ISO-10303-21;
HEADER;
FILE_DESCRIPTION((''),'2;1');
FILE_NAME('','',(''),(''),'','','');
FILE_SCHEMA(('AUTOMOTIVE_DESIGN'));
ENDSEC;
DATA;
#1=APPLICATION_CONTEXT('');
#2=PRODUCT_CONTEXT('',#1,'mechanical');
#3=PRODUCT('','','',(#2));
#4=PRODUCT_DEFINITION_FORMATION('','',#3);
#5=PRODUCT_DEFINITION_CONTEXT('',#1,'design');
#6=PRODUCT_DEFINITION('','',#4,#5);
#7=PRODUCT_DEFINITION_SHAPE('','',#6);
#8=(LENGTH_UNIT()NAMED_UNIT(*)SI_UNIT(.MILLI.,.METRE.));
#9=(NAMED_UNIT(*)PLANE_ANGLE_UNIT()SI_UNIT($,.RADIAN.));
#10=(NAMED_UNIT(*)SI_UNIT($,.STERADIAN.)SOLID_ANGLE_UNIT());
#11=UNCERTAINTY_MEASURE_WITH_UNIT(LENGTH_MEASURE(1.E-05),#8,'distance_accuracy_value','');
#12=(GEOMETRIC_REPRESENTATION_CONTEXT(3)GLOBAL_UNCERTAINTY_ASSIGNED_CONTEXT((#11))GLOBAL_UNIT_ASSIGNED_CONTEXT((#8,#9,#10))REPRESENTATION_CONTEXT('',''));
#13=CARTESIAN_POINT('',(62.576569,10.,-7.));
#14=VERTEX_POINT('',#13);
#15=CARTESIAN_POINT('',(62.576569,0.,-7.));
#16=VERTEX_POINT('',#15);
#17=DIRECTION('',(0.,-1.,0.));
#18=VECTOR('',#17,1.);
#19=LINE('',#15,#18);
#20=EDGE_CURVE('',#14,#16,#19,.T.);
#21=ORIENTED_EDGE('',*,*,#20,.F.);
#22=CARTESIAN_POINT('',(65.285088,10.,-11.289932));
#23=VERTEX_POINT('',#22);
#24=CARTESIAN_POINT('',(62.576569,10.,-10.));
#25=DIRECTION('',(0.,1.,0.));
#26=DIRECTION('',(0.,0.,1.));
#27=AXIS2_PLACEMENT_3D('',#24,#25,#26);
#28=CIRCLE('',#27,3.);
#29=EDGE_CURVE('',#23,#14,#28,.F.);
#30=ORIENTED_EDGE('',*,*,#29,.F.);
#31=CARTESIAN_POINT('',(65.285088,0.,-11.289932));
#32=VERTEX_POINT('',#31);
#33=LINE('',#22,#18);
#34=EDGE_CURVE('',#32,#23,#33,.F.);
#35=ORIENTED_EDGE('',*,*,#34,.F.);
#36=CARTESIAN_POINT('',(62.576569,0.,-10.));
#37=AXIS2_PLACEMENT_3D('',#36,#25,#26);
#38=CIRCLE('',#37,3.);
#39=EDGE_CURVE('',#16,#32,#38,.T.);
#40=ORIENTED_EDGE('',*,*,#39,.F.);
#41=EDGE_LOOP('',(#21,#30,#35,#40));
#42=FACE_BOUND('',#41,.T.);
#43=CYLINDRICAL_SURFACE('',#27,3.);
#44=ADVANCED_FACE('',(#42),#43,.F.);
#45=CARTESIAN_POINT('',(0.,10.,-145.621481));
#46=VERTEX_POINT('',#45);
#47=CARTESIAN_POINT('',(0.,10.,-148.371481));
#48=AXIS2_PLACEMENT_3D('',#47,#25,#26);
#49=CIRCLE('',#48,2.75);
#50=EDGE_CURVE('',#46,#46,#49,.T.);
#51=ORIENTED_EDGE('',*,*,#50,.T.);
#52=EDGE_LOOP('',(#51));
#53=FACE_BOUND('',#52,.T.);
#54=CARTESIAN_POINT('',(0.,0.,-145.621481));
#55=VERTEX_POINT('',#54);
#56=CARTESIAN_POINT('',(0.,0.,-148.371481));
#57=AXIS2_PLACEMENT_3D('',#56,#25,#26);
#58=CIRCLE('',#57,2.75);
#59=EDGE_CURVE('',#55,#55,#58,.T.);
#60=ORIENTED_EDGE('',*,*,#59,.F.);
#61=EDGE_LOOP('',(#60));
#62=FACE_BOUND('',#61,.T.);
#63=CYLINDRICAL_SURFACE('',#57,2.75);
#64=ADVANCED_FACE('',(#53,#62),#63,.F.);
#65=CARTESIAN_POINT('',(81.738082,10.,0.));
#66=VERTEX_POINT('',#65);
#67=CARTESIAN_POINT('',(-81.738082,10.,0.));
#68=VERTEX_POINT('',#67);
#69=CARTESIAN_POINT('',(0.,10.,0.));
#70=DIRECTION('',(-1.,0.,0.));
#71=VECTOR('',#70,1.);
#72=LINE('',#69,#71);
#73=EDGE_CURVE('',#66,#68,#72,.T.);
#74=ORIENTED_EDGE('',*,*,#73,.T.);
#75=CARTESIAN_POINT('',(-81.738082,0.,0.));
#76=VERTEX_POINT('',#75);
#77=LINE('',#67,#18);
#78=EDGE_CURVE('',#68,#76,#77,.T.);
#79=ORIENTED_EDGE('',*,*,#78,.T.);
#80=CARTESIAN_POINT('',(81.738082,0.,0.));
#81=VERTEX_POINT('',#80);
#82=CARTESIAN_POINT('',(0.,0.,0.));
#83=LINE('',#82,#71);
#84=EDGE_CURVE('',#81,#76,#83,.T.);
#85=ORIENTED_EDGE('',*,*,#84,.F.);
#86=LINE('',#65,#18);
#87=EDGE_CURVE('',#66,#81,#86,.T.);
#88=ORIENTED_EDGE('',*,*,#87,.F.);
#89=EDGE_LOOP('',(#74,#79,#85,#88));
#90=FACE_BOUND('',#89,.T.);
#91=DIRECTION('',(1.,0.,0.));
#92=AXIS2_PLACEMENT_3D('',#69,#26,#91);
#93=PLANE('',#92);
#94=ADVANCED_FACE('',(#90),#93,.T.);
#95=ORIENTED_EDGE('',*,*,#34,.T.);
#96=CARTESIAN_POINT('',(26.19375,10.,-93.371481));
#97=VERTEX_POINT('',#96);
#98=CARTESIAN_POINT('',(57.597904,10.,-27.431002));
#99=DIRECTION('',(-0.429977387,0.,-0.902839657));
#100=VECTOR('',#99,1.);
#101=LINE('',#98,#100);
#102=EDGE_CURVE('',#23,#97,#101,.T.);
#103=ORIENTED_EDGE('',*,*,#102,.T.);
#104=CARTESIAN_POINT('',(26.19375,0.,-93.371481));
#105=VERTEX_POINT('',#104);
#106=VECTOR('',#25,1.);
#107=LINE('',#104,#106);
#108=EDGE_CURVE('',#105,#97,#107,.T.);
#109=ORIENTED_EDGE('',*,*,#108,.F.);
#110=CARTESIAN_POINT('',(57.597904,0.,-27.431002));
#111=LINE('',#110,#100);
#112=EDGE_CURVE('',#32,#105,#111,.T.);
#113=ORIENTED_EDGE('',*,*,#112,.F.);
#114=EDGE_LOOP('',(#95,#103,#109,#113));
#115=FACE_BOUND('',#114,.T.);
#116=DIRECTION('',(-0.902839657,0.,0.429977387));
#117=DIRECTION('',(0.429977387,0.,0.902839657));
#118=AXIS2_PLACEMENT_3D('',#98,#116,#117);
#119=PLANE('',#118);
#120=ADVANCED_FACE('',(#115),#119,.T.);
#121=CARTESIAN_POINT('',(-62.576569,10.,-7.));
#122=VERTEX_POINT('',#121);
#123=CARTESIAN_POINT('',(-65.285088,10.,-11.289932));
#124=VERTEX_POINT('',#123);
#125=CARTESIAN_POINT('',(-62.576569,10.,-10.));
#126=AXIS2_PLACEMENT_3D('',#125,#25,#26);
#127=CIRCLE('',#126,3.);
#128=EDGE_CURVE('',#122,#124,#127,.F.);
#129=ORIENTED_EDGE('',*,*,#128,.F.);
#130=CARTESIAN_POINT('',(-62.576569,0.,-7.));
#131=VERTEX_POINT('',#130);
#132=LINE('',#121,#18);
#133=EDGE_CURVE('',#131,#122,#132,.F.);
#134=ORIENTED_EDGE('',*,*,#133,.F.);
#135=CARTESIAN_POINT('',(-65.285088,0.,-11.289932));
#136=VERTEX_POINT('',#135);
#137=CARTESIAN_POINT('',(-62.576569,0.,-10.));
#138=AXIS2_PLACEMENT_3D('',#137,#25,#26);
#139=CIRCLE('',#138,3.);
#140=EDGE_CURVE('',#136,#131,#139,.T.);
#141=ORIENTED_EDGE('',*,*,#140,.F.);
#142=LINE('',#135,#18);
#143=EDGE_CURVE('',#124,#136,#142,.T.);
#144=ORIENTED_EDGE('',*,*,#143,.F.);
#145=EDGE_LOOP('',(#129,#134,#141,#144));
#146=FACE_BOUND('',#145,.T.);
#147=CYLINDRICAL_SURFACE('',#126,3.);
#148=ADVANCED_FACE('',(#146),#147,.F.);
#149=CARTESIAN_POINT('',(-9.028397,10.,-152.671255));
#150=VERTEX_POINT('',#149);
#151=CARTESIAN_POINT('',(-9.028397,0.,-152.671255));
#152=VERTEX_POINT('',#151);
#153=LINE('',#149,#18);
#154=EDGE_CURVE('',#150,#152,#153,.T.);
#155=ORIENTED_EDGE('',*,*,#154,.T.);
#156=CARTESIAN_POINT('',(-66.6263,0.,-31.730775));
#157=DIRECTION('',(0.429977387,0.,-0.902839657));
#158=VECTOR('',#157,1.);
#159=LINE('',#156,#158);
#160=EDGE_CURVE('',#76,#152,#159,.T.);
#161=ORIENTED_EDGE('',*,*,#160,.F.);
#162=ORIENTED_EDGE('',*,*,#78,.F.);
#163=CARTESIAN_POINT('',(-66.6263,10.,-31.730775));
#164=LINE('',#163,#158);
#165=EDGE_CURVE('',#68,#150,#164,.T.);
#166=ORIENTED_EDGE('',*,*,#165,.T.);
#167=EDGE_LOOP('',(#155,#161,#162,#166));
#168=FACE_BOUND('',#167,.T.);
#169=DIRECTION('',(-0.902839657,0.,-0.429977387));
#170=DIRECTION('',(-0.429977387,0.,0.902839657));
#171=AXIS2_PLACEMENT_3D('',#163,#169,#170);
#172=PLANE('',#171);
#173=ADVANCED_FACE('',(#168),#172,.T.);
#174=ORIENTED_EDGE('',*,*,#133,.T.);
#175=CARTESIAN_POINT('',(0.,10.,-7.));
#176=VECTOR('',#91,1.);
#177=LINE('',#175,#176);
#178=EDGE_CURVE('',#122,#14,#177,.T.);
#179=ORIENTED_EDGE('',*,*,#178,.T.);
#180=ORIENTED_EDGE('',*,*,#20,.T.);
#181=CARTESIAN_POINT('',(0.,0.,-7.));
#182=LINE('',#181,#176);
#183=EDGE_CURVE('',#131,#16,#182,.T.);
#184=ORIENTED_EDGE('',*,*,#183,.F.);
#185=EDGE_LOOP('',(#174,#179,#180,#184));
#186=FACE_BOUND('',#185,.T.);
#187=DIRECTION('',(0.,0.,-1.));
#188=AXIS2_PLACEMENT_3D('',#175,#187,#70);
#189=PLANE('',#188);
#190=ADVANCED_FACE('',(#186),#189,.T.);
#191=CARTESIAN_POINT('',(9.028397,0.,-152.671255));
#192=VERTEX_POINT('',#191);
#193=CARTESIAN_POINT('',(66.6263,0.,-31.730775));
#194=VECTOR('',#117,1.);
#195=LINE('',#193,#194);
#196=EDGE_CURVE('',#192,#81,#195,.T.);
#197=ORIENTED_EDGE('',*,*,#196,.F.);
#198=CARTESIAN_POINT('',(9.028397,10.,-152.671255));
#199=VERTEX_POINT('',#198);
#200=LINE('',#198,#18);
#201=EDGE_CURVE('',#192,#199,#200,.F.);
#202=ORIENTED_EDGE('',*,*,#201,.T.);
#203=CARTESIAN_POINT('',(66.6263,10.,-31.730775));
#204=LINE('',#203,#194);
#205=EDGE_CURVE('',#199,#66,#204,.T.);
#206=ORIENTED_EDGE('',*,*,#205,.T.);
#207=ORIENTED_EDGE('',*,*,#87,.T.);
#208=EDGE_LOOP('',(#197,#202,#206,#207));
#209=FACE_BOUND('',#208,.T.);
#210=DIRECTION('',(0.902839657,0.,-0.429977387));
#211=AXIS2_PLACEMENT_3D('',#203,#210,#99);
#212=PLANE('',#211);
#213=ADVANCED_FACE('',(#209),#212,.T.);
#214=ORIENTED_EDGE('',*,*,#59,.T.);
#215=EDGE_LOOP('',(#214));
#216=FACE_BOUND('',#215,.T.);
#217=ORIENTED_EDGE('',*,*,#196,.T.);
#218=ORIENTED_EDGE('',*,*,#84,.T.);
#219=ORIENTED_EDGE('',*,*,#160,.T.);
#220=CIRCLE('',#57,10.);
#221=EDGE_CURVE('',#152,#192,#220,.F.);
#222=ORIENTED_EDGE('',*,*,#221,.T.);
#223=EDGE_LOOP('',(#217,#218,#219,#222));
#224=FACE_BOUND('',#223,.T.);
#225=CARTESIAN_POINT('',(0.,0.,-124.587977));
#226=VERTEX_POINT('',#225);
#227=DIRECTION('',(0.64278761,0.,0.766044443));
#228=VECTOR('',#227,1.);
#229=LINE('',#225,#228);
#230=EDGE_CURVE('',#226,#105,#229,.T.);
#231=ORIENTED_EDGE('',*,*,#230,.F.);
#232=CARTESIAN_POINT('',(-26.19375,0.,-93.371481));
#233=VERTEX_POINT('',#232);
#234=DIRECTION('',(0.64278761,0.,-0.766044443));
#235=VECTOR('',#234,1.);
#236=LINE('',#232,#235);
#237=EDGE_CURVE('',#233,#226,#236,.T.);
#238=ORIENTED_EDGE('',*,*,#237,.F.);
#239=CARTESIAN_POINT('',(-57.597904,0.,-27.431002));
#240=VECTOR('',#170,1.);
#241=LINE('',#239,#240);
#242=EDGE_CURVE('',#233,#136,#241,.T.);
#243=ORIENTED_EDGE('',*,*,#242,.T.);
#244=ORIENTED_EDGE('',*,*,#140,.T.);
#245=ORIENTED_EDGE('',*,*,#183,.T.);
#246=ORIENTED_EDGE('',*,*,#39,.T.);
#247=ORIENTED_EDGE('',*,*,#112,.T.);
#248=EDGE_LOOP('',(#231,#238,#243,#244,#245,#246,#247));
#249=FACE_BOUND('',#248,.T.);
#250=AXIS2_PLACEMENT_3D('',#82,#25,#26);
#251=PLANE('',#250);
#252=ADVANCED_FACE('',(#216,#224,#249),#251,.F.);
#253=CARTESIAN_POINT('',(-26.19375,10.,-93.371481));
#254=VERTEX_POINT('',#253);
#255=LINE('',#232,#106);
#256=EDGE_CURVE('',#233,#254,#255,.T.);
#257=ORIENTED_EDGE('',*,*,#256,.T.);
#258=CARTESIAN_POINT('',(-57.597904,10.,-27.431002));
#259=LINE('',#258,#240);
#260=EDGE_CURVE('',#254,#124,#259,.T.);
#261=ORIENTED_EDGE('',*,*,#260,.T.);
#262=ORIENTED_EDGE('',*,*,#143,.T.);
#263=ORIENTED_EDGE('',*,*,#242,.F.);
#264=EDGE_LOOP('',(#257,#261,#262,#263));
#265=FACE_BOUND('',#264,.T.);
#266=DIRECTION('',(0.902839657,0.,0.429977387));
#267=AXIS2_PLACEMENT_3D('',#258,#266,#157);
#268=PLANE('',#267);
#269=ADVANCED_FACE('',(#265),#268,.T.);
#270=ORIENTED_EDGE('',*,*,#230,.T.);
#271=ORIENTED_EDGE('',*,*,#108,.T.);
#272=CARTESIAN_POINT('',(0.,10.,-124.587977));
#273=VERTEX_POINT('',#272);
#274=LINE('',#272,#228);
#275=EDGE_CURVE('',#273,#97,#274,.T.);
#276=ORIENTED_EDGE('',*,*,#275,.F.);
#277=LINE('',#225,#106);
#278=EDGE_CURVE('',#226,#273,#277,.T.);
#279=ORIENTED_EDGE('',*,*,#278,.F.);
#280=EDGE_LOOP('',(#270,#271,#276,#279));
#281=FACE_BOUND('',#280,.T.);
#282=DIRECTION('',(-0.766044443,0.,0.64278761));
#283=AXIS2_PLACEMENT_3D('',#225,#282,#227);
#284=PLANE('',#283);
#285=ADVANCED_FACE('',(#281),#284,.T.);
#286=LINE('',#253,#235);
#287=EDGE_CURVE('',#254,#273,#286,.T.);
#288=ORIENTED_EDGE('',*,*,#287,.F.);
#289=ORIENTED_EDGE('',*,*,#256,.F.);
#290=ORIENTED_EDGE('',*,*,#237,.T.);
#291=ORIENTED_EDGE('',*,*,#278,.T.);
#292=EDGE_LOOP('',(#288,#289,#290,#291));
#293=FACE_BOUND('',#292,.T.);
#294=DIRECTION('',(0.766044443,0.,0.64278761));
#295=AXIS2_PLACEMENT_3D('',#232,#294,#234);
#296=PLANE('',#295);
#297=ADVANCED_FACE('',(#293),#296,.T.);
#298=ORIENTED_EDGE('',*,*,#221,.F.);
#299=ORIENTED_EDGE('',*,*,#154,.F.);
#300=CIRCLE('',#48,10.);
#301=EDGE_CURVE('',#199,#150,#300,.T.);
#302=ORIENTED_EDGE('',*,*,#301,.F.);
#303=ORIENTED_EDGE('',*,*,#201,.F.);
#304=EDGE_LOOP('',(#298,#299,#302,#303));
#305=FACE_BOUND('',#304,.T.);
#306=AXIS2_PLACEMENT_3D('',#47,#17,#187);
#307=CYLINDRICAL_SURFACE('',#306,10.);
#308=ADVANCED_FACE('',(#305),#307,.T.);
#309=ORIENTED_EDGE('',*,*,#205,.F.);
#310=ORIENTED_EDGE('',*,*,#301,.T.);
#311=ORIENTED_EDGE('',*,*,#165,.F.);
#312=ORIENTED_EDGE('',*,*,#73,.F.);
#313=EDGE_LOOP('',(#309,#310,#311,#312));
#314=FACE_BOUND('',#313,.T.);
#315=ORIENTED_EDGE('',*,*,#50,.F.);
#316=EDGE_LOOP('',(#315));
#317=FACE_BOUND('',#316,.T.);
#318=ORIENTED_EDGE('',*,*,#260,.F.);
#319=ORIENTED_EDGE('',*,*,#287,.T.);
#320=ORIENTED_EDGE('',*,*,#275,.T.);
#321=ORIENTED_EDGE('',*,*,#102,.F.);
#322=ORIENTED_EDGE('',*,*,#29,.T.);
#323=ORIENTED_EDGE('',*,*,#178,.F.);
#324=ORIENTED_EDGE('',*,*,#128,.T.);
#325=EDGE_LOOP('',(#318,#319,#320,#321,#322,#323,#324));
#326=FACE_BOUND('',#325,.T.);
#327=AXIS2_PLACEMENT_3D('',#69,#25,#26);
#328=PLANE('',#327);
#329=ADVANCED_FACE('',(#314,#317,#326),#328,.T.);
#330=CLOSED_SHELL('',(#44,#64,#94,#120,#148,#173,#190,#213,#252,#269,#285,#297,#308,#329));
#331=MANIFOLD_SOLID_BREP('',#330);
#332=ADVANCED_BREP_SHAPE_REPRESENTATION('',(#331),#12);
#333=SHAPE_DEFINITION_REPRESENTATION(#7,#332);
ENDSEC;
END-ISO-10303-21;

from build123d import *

# Parameters (mm, degrees)
BOSS_EXTRUDE1_DEPTH = 10
FILLET1_R           = 10
FILLET2_R           = 3
SKETCH5_R           = 10
BOSS_EXTRUDE2_DEPTH = 10
SKETCH4_R           = 2.75
CUT_EXTRUDE1_DEPTH  = 10
BOSS_EXTRUDE3_DEPTH = 10


with BuildPart() as part:
    # Sketch1 → Boss-Extrude1 (new body)
    with BuildSketch(Plane(origin=(0, 0, 0), x_dir=(1, 0, 0), z_dir=(0, 1, 0))):
        Polygon((-81.738081939, 0), (0, 171.628518507), (81.738081939, 0), align=None)
        Polygon((0, 148.371481493), (-67.328168061, 7), (67.328168061, 7), align=None, mode=Mode.SUBTRACT)
    extrude(amount=BOSS_EXTRUDE1_DEPTH)

    # Fillet1
    fillet1_edges = [part.edges().sort_by_distance(p)[0] for p in [
        (0, 5, -171.628518507),
    ]]
    fillet(fillet1_edges, radius=FILLET1_R)

    # Fillet2
    fillet2_edges = [part.edges().sort_by_distance(p)[0] for p in [
        (0, 5, -148.371481493),
        (-67.328168061, 5, -7),
        (67.328168061, 5, -7),
    ]]
    fillet(fillet2_edges, radius=FILLET2_R)

    # Sketch5 → Boss-Extrude2 (add, through all)
    with BuildSketch(Plane(origin=(0, 10, 0), x_dir=(1, 0, 0), z_dir=(0, 1, 0))):
        with Locations((0, 148.371481493)):
            Circle(SKETCH5_R)
    extrude(amount=-BOSS_EXTRUDE2_DEPTH)

    # Sketch4 → Cut-Extrude1 (cut)
    with BuildSketch(Plane(origin=(0, 10, 0), x_dir=(1, 0, 0), z_dir=(0, 1, 0))):
        with Locations((0, 148.371481493)):
            Circle(SKETCH4_R)
    extrude(amount=-CUT_EXTRUDE1_DEPTH, mode=Mode.SUBTRACT)

    # Sketch6 → Boss-Extrude3 (add, through all)
    with BuildSketch(Plane(origin=(0, 10, 0), x_dir=(1, 0, 0), z_dir=(0, 1, 0))):
        with BuildLine():
            Line((-26.19375, 93.371481493), (0, 124.587977159))
            Line((0, 124.587977159), (26.19375, 93.371481493))
            Line((26.19375, 93.371481493), (4.299773868, 139.34308492))
            ThreePointArc((4.299773868, 139.34308492), (0, 138.371481493), (-4.299773868, 139.34308492))
            Line((-4.299773868, 139.34308492), (-26.19375, 93.371481493))
        make_face()
    extrude(amount=-BOSS_EXTRUDE3_DEPTH)


solid = part.part
